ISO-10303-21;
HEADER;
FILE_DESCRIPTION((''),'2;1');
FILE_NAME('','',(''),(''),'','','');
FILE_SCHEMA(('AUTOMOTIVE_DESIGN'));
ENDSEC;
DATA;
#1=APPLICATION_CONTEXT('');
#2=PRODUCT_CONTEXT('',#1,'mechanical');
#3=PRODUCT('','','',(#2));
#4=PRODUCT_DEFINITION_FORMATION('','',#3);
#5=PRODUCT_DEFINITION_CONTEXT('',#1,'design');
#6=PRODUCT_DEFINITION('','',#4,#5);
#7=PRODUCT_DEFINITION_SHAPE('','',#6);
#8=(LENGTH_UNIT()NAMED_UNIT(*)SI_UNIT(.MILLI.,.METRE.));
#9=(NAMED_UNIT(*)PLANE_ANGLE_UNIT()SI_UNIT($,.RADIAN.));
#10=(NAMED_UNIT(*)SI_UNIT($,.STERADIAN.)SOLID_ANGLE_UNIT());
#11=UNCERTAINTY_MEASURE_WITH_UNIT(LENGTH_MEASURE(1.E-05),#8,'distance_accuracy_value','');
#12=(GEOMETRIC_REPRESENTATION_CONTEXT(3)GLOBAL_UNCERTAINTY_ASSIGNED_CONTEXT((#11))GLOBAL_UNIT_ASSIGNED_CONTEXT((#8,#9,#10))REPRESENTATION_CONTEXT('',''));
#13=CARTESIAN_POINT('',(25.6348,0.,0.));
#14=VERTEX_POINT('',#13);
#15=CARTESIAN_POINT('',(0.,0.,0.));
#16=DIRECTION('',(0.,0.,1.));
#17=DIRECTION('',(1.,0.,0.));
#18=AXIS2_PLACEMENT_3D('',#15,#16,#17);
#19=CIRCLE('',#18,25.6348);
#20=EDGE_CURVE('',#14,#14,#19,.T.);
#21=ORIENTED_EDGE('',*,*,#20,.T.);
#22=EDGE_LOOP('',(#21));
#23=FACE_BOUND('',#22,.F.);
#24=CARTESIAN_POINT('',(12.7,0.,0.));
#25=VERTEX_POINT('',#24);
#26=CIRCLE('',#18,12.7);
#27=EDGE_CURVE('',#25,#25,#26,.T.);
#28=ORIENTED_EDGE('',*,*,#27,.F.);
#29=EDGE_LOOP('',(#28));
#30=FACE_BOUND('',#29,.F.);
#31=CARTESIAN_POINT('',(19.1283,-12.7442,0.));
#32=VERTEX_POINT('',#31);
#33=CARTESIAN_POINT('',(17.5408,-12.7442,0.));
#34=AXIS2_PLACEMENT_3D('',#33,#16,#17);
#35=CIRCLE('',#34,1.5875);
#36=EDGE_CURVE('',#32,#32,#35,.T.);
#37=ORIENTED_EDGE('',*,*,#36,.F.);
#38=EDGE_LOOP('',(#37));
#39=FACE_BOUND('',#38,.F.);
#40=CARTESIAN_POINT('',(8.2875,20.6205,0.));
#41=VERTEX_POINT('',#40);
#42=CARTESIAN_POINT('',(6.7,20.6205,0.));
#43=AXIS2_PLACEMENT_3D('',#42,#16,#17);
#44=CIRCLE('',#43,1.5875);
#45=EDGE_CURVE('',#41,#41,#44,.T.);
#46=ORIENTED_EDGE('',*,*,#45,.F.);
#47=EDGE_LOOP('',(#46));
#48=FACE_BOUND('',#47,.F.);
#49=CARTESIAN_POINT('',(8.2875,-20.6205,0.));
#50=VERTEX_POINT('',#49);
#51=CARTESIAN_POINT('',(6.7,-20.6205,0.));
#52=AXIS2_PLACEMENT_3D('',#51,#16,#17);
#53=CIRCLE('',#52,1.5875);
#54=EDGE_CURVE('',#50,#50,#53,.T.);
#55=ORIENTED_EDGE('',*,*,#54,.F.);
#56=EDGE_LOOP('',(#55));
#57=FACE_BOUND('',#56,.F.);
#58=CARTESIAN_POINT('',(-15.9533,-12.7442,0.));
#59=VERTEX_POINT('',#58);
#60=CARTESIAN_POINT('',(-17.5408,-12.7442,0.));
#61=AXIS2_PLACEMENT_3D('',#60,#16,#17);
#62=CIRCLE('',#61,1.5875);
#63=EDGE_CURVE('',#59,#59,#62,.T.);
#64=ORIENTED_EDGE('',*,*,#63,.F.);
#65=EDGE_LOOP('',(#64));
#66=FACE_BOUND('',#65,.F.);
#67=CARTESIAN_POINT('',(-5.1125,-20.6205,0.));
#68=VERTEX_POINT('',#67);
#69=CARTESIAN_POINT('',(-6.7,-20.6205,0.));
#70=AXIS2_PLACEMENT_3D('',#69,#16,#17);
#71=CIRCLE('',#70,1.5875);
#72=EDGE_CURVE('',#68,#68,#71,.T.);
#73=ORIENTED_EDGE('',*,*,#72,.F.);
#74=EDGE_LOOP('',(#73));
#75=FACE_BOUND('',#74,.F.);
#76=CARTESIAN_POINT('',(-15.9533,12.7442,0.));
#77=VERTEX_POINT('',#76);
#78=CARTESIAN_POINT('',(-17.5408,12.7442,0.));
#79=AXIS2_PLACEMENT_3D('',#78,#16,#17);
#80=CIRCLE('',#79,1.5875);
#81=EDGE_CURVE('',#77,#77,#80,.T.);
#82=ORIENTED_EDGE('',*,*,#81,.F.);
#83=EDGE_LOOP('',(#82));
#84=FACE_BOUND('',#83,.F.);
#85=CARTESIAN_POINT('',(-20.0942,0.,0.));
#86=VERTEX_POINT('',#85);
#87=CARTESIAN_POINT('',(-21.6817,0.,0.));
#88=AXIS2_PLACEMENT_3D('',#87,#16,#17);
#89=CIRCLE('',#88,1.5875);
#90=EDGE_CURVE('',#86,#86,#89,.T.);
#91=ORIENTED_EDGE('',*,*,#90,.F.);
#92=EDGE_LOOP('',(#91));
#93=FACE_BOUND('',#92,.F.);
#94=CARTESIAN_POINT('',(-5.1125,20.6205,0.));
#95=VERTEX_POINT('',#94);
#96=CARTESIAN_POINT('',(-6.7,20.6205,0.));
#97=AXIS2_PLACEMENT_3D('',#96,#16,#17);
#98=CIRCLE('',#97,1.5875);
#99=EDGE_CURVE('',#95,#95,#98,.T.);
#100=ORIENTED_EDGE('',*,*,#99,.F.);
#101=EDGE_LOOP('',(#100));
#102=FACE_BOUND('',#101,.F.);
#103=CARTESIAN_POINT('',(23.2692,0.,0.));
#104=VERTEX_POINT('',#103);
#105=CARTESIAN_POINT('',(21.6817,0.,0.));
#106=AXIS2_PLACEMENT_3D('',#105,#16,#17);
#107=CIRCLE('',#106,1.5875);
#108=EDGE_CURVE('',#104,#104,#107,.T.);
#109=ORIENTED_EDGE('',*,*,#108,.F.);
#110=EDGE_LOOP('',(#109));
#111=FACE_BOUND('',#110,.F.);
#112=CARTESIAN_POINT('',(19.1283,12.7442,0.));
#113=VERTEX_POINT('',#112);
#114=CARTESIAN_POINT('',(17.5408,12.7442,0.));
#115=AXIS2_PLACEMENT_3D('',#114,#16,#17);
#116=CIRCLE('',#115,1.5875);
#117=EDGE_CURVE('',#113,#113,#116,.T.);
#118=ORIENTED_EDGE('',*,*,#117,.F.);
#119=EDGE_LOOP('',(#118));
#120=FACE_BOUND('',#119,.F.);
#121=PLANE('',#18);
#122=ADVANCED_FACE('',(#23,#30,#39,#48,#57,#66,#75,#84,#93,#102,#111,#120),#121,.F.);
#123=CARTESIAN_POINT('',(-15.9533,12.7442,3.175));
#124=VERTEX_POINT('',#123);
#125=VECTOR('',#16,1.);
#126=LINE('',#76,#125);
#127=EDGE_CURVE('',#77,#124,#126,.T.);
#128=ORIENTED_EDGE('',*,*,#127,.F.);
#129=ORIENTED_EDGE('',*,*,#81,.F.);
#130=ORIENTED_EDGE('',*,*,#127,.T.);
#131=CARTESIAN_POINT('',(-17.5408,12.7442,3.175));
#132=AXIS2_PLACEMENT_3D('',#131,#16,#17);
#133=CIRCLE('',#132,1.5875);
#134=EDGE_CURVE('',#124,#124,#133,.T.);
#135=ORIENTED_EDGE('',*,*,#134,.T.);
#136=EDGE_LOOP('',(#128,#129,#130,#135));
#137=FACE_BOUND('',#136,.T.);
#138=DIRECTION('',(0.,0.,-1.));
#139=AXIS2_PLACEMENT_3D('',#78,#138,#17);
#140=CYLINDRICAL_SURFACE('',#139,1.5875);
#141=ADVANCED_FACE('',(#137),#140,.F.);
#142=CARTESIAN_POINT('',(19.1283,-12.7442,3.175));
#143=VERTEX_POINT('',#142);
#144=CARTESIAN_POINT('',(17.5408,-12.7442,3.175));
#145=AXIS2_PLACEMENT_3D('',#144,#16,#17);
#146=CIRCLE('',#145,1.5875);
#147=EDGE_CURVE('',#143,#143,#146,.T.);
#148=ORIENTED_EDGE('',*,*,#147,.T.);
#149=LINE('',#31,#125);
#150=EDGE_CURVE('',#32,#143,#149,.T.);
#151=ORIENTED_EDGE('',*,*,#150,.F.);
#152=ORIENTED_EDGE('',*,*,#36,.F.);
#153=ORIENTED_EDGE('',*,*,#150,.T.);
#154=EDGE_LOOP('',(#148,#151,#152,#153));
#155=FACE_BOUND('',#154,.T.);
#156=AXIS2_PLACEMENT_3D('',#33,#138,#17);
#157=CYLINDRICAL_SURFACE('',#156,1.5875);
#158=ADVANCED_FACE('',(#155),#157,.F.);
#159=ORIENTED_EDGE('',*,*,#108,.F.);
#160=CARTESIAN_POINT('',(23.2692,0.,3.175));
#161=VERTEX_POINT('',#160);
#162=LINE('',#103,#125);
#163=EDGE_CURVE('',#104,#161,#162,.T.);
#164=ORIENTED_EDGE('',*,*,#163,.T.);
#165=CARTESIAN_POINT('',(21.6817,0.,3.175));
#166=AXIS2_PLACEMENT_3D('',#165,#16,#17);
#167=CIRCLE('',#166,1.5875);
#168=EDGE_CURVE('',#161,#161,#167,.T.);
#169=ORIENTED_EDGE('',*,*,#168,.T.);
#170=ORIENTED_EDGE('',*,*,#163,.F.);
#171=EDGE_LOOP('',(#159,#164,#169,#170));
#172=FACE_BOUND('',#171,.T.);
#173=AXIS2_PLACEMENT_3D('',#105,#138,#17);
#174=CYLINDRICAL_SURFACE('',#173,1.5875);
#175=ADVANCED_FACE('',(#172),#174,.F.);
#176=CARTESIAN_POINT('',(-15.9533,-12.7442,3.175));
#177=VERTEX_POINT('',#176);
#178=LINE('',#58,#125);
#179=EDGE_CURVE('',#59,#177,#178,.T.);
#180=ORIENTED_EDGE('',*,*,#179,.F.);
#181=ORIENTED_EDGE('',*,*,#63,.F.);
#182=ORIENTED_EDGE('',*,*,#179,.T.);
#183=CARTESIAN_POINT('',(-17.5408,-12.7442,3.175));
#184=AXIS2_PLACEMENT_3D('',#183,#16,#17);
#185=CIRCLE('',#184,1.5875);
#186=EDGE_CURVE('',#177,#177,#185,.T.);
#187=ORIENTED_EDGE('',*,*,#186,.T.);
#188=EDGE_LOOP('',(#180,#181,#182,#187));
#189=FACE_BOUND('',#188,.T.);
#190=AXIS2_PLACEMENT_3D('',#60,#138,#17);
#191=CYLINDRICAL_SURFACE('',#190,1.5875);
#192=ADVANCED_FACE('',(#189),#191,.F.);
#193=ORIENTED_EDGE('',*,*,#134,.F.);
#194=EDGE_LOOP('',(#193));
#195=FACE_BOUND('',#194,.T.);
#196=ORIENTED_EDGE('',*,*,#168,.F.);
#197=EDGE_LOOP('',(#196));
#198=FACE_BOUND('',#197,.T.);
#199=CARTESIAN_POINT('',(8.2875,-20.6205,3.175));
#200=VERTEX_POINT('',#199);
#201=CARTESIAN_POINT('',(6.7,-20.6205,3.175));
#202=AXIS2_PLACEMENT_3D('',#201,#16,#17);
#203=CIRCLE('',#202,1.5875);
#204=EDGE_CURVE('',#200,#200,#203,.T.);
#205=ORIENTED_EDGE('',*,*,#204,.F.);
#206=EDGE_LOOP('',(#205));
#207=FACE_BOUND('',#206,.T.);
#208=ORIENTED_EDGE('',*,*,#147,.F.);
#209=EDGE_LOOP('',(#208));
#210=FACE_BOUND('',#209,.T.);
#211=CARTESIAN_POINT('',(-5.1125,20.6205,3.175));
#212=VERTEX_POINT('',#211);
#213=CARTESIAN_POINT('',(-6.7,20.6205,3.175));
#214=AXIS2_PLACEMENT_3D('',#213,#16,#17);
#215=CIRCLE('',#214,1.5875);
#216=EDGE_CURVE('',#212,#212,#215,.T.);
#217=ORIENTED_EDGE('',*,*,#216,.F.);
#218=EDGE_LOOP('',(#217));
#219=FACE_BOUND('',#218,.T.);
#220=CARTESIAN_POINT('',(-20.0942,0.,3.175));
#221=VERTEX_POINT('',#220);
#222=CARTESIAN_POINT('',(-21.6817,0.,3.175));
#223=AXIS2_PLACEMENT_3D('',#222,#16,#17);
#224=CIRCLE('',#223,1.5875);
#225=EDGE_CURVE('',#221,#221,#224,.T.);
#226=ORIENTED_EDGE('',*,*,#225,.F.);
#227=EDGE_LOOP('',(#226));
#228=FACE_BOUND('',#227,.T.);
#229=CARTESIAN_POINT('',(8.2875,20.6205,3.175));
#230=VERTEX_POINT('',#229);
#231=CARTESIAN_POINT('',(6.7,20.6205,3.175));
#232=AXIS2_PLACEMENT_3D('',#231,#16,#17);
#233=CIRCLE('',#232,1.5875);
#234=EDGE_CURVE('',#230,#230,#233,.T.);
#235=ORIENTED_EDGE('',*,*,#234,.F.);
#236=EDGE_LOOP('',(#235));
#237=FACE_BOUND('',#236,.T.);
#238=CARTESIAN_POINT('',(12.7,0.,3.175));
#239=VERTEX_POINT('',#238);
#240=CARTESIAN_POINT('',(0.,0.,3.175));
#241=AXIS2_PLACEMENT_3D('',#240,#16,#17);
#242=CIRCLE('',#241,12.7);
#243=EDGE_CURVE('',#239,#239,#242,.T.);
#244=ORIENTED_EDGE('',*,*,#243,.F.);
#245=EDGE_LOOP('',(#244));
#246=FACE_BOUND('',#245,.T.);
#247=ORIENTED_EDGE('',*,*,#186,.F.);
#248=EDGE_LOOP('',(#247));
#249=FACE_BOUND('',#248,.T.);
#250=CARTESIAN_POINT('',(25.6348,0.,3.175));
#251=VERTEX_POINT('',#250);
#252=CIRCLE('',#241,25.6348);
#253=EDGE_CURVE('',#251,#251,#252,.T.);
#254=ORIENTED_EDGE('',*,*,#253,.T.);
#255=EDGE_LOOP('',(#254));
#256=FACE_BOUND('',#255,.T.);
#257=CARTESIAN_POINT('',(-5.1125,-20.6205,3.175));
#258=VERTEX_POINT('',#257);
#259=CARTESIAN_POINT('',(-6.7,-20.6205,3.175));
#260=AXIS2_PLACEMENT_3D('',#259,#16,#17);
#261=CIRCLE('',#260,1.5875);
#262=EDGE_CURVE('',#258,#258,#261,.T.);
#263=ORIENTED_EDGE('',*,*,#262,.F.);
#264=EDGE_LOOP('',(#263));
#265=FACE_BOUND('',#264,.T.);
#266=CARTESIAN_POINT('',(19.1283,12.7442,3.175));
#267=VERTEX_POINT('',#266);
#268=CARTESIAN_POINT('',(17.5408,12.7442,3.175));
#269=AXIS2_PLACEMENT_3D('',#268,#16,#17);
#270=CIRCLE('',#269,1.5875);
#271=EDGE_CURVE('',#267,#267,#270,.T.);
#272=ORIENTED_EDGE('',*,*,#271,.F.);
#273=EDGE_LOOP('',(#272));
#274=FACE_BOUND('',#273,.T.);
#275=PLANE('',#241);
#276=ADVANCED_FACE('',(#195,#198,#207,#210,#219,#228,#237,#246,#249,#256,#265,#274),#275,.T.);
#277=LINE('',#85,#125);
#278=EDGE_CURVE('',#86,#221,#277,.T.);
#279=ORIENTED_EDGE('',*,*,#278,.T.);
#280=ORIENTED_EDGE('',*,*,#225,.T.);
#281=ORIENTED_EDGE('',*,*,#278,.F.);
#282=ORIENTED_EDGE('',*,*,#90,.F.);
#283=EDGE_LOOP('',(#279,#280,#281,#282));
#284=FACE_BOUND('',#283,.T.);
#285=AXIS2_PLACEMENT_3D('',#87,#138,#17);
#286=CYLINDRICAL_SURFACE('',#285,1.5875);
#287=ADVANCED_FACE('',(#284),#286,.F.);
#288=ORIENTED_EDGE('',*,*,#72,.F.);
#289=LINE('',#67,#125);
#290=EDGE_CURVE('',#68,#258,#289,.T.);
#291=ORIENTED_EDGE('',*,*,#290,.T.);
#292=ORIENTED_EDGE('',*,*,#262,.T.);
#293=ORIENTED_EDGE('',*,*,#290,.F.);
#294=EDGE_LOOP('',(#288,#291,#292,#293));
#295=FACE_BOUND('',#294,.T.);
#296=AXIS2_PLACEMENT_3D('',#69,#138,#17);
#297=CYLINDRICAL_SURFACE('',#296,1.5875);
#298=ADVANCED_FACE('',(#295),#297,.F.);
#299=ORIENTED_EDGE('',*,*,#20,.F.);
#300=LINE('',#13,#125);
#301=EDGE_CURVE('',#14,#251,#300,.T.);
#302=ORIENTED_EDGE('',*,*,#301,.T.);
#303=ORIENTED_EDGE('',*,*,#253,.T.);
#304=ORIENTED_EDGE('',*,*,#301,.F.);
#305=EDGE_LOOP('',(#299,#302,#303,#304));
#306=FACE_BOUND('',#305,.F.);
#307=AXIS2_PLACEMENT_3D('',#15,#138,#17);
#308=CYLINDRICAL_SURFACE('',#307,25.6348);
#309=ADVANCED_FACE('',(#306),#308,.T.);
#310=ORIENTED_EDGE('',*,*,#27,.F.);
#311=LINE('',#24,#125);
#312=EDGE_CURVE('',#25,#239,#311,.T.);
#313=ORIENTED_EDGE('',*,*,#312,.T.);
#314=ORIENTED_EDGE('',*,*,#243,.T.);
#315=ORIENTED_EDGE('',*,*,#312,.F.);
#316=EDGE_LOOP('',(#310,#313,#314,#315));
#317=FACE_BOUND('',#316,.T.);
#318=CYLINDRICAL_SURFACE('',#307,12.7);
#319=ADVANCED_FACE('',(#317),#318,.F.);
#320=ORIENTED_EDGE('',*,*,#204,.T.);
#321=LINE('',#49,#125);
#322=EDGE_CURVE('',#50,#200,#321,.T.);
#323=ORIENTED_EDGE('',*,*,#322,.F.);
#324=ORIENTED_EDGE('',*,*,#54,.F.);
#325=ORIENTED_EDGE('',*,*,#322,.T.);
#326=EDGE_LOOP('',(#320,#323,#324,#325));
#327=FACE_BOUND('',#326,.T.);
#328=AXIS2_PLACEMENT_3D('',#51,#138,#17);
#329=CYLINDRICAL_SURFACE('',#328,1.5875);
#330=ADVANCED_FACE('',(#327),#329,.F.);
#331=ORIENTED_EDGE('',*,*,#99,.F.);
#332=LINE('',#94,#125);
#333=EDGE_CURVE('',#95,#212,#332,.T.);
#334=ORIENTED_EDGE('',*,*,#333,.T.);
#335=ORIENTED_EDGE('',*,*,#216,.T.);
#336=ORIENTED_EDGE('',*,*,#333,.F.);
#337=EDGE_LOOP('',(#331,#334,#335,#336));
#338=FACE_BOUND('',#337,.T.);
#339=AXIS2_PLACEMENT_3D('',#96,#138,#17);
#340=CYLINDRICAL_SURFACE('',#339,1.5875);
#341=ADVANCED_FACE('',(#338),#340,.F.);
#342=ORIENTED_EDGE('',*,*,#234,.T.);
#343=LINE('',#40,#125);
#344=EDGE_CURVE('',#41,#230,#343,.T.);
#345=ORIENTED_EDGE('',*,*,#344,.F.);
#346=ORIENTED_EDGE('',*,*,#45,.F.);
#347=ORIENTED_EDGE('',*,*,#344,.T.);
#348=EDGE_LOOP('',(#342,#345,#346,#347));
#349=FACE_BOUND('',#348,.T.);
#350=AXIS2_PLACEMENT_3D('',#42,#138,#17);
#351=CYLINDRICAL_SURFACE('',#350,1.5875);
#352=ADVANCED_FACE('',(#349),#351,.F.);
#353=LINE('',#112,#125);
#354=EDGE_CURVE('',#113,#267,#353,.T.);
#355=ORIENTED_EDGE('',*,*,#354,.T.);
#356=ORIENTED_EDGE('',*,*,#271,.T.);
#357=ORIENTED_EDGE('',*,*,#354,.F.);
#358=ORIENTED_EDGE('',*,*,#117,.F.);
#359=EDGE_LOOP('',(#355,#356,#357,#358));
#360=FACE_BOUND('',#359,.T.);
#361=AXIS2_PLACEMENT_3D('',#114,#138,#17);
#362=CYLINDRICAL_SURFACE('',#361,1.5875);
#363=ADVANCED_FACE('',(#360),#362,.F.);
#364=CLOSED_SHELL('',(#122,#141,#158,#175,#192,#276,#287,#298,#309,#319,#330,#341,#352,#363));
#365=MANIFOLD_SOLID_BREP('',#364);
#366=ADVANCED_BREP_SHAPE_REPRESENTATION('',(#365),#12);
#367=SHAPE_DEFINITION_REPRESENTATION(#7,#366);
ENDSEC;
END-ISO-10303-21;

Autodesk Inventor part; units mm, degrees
ref_plane "YZ Plane" through (0, 0, 0) normal (1, 0, 0) x (0, 1, 0)
ref_plane "XZ Plane" through (0, 0, 0) normal (0, 1, 0) x (-1, 0, 0)
ref_plane "XY Plane" through (0, 0, 0) normal (0, 0, 1) x (1, 0, 0)
ref_plane "Work Plane1" through (0, 0, 0) normal (0, 0, 1) x (1, 0, 0)
sketch "Sketch1" plane through (0, 0, 0) normal (0, 0, 1) x (1, 0, 0)
  circle A0 centre (0, 0) radius 25.6348 projected
  circle A1 centre (0, 0) radius 12.7 projected
  circle A2 centre (6.7, 20.6205) radius 1.5875 projected
  circle A3 centre (17.5408, 12.7442) radius 1.5875 projected
  circle A4 centre (21.6817, 0) radius 1.5875 projected
  circle A5 centre (17.5408, -12.7442) radius 1.5875 projected
  circle A6 centre (6.7, -20.6205) radius 1.5875 projected
  circle A7 centre (-6.7, -20.6205) radius 1.5875 projected
  circle A8 centre (-17.5408, -12.7442) radius 1.5875 projected
  circle A9 centre (-21.6817, 0) radius 1.5875 projected
  circle A10 centre (-17.5408, 12.7442) radius 1.5875 projected
  circle A11 centre (-6.7, 20.6205) radius 1.5875 projected
  point P0 (0, 0)
extrude "Extrusion1" add sketch "Sketch1" along normal blind 3.175
properties part number "basePlate" material "Polycarbonate, Clear"
